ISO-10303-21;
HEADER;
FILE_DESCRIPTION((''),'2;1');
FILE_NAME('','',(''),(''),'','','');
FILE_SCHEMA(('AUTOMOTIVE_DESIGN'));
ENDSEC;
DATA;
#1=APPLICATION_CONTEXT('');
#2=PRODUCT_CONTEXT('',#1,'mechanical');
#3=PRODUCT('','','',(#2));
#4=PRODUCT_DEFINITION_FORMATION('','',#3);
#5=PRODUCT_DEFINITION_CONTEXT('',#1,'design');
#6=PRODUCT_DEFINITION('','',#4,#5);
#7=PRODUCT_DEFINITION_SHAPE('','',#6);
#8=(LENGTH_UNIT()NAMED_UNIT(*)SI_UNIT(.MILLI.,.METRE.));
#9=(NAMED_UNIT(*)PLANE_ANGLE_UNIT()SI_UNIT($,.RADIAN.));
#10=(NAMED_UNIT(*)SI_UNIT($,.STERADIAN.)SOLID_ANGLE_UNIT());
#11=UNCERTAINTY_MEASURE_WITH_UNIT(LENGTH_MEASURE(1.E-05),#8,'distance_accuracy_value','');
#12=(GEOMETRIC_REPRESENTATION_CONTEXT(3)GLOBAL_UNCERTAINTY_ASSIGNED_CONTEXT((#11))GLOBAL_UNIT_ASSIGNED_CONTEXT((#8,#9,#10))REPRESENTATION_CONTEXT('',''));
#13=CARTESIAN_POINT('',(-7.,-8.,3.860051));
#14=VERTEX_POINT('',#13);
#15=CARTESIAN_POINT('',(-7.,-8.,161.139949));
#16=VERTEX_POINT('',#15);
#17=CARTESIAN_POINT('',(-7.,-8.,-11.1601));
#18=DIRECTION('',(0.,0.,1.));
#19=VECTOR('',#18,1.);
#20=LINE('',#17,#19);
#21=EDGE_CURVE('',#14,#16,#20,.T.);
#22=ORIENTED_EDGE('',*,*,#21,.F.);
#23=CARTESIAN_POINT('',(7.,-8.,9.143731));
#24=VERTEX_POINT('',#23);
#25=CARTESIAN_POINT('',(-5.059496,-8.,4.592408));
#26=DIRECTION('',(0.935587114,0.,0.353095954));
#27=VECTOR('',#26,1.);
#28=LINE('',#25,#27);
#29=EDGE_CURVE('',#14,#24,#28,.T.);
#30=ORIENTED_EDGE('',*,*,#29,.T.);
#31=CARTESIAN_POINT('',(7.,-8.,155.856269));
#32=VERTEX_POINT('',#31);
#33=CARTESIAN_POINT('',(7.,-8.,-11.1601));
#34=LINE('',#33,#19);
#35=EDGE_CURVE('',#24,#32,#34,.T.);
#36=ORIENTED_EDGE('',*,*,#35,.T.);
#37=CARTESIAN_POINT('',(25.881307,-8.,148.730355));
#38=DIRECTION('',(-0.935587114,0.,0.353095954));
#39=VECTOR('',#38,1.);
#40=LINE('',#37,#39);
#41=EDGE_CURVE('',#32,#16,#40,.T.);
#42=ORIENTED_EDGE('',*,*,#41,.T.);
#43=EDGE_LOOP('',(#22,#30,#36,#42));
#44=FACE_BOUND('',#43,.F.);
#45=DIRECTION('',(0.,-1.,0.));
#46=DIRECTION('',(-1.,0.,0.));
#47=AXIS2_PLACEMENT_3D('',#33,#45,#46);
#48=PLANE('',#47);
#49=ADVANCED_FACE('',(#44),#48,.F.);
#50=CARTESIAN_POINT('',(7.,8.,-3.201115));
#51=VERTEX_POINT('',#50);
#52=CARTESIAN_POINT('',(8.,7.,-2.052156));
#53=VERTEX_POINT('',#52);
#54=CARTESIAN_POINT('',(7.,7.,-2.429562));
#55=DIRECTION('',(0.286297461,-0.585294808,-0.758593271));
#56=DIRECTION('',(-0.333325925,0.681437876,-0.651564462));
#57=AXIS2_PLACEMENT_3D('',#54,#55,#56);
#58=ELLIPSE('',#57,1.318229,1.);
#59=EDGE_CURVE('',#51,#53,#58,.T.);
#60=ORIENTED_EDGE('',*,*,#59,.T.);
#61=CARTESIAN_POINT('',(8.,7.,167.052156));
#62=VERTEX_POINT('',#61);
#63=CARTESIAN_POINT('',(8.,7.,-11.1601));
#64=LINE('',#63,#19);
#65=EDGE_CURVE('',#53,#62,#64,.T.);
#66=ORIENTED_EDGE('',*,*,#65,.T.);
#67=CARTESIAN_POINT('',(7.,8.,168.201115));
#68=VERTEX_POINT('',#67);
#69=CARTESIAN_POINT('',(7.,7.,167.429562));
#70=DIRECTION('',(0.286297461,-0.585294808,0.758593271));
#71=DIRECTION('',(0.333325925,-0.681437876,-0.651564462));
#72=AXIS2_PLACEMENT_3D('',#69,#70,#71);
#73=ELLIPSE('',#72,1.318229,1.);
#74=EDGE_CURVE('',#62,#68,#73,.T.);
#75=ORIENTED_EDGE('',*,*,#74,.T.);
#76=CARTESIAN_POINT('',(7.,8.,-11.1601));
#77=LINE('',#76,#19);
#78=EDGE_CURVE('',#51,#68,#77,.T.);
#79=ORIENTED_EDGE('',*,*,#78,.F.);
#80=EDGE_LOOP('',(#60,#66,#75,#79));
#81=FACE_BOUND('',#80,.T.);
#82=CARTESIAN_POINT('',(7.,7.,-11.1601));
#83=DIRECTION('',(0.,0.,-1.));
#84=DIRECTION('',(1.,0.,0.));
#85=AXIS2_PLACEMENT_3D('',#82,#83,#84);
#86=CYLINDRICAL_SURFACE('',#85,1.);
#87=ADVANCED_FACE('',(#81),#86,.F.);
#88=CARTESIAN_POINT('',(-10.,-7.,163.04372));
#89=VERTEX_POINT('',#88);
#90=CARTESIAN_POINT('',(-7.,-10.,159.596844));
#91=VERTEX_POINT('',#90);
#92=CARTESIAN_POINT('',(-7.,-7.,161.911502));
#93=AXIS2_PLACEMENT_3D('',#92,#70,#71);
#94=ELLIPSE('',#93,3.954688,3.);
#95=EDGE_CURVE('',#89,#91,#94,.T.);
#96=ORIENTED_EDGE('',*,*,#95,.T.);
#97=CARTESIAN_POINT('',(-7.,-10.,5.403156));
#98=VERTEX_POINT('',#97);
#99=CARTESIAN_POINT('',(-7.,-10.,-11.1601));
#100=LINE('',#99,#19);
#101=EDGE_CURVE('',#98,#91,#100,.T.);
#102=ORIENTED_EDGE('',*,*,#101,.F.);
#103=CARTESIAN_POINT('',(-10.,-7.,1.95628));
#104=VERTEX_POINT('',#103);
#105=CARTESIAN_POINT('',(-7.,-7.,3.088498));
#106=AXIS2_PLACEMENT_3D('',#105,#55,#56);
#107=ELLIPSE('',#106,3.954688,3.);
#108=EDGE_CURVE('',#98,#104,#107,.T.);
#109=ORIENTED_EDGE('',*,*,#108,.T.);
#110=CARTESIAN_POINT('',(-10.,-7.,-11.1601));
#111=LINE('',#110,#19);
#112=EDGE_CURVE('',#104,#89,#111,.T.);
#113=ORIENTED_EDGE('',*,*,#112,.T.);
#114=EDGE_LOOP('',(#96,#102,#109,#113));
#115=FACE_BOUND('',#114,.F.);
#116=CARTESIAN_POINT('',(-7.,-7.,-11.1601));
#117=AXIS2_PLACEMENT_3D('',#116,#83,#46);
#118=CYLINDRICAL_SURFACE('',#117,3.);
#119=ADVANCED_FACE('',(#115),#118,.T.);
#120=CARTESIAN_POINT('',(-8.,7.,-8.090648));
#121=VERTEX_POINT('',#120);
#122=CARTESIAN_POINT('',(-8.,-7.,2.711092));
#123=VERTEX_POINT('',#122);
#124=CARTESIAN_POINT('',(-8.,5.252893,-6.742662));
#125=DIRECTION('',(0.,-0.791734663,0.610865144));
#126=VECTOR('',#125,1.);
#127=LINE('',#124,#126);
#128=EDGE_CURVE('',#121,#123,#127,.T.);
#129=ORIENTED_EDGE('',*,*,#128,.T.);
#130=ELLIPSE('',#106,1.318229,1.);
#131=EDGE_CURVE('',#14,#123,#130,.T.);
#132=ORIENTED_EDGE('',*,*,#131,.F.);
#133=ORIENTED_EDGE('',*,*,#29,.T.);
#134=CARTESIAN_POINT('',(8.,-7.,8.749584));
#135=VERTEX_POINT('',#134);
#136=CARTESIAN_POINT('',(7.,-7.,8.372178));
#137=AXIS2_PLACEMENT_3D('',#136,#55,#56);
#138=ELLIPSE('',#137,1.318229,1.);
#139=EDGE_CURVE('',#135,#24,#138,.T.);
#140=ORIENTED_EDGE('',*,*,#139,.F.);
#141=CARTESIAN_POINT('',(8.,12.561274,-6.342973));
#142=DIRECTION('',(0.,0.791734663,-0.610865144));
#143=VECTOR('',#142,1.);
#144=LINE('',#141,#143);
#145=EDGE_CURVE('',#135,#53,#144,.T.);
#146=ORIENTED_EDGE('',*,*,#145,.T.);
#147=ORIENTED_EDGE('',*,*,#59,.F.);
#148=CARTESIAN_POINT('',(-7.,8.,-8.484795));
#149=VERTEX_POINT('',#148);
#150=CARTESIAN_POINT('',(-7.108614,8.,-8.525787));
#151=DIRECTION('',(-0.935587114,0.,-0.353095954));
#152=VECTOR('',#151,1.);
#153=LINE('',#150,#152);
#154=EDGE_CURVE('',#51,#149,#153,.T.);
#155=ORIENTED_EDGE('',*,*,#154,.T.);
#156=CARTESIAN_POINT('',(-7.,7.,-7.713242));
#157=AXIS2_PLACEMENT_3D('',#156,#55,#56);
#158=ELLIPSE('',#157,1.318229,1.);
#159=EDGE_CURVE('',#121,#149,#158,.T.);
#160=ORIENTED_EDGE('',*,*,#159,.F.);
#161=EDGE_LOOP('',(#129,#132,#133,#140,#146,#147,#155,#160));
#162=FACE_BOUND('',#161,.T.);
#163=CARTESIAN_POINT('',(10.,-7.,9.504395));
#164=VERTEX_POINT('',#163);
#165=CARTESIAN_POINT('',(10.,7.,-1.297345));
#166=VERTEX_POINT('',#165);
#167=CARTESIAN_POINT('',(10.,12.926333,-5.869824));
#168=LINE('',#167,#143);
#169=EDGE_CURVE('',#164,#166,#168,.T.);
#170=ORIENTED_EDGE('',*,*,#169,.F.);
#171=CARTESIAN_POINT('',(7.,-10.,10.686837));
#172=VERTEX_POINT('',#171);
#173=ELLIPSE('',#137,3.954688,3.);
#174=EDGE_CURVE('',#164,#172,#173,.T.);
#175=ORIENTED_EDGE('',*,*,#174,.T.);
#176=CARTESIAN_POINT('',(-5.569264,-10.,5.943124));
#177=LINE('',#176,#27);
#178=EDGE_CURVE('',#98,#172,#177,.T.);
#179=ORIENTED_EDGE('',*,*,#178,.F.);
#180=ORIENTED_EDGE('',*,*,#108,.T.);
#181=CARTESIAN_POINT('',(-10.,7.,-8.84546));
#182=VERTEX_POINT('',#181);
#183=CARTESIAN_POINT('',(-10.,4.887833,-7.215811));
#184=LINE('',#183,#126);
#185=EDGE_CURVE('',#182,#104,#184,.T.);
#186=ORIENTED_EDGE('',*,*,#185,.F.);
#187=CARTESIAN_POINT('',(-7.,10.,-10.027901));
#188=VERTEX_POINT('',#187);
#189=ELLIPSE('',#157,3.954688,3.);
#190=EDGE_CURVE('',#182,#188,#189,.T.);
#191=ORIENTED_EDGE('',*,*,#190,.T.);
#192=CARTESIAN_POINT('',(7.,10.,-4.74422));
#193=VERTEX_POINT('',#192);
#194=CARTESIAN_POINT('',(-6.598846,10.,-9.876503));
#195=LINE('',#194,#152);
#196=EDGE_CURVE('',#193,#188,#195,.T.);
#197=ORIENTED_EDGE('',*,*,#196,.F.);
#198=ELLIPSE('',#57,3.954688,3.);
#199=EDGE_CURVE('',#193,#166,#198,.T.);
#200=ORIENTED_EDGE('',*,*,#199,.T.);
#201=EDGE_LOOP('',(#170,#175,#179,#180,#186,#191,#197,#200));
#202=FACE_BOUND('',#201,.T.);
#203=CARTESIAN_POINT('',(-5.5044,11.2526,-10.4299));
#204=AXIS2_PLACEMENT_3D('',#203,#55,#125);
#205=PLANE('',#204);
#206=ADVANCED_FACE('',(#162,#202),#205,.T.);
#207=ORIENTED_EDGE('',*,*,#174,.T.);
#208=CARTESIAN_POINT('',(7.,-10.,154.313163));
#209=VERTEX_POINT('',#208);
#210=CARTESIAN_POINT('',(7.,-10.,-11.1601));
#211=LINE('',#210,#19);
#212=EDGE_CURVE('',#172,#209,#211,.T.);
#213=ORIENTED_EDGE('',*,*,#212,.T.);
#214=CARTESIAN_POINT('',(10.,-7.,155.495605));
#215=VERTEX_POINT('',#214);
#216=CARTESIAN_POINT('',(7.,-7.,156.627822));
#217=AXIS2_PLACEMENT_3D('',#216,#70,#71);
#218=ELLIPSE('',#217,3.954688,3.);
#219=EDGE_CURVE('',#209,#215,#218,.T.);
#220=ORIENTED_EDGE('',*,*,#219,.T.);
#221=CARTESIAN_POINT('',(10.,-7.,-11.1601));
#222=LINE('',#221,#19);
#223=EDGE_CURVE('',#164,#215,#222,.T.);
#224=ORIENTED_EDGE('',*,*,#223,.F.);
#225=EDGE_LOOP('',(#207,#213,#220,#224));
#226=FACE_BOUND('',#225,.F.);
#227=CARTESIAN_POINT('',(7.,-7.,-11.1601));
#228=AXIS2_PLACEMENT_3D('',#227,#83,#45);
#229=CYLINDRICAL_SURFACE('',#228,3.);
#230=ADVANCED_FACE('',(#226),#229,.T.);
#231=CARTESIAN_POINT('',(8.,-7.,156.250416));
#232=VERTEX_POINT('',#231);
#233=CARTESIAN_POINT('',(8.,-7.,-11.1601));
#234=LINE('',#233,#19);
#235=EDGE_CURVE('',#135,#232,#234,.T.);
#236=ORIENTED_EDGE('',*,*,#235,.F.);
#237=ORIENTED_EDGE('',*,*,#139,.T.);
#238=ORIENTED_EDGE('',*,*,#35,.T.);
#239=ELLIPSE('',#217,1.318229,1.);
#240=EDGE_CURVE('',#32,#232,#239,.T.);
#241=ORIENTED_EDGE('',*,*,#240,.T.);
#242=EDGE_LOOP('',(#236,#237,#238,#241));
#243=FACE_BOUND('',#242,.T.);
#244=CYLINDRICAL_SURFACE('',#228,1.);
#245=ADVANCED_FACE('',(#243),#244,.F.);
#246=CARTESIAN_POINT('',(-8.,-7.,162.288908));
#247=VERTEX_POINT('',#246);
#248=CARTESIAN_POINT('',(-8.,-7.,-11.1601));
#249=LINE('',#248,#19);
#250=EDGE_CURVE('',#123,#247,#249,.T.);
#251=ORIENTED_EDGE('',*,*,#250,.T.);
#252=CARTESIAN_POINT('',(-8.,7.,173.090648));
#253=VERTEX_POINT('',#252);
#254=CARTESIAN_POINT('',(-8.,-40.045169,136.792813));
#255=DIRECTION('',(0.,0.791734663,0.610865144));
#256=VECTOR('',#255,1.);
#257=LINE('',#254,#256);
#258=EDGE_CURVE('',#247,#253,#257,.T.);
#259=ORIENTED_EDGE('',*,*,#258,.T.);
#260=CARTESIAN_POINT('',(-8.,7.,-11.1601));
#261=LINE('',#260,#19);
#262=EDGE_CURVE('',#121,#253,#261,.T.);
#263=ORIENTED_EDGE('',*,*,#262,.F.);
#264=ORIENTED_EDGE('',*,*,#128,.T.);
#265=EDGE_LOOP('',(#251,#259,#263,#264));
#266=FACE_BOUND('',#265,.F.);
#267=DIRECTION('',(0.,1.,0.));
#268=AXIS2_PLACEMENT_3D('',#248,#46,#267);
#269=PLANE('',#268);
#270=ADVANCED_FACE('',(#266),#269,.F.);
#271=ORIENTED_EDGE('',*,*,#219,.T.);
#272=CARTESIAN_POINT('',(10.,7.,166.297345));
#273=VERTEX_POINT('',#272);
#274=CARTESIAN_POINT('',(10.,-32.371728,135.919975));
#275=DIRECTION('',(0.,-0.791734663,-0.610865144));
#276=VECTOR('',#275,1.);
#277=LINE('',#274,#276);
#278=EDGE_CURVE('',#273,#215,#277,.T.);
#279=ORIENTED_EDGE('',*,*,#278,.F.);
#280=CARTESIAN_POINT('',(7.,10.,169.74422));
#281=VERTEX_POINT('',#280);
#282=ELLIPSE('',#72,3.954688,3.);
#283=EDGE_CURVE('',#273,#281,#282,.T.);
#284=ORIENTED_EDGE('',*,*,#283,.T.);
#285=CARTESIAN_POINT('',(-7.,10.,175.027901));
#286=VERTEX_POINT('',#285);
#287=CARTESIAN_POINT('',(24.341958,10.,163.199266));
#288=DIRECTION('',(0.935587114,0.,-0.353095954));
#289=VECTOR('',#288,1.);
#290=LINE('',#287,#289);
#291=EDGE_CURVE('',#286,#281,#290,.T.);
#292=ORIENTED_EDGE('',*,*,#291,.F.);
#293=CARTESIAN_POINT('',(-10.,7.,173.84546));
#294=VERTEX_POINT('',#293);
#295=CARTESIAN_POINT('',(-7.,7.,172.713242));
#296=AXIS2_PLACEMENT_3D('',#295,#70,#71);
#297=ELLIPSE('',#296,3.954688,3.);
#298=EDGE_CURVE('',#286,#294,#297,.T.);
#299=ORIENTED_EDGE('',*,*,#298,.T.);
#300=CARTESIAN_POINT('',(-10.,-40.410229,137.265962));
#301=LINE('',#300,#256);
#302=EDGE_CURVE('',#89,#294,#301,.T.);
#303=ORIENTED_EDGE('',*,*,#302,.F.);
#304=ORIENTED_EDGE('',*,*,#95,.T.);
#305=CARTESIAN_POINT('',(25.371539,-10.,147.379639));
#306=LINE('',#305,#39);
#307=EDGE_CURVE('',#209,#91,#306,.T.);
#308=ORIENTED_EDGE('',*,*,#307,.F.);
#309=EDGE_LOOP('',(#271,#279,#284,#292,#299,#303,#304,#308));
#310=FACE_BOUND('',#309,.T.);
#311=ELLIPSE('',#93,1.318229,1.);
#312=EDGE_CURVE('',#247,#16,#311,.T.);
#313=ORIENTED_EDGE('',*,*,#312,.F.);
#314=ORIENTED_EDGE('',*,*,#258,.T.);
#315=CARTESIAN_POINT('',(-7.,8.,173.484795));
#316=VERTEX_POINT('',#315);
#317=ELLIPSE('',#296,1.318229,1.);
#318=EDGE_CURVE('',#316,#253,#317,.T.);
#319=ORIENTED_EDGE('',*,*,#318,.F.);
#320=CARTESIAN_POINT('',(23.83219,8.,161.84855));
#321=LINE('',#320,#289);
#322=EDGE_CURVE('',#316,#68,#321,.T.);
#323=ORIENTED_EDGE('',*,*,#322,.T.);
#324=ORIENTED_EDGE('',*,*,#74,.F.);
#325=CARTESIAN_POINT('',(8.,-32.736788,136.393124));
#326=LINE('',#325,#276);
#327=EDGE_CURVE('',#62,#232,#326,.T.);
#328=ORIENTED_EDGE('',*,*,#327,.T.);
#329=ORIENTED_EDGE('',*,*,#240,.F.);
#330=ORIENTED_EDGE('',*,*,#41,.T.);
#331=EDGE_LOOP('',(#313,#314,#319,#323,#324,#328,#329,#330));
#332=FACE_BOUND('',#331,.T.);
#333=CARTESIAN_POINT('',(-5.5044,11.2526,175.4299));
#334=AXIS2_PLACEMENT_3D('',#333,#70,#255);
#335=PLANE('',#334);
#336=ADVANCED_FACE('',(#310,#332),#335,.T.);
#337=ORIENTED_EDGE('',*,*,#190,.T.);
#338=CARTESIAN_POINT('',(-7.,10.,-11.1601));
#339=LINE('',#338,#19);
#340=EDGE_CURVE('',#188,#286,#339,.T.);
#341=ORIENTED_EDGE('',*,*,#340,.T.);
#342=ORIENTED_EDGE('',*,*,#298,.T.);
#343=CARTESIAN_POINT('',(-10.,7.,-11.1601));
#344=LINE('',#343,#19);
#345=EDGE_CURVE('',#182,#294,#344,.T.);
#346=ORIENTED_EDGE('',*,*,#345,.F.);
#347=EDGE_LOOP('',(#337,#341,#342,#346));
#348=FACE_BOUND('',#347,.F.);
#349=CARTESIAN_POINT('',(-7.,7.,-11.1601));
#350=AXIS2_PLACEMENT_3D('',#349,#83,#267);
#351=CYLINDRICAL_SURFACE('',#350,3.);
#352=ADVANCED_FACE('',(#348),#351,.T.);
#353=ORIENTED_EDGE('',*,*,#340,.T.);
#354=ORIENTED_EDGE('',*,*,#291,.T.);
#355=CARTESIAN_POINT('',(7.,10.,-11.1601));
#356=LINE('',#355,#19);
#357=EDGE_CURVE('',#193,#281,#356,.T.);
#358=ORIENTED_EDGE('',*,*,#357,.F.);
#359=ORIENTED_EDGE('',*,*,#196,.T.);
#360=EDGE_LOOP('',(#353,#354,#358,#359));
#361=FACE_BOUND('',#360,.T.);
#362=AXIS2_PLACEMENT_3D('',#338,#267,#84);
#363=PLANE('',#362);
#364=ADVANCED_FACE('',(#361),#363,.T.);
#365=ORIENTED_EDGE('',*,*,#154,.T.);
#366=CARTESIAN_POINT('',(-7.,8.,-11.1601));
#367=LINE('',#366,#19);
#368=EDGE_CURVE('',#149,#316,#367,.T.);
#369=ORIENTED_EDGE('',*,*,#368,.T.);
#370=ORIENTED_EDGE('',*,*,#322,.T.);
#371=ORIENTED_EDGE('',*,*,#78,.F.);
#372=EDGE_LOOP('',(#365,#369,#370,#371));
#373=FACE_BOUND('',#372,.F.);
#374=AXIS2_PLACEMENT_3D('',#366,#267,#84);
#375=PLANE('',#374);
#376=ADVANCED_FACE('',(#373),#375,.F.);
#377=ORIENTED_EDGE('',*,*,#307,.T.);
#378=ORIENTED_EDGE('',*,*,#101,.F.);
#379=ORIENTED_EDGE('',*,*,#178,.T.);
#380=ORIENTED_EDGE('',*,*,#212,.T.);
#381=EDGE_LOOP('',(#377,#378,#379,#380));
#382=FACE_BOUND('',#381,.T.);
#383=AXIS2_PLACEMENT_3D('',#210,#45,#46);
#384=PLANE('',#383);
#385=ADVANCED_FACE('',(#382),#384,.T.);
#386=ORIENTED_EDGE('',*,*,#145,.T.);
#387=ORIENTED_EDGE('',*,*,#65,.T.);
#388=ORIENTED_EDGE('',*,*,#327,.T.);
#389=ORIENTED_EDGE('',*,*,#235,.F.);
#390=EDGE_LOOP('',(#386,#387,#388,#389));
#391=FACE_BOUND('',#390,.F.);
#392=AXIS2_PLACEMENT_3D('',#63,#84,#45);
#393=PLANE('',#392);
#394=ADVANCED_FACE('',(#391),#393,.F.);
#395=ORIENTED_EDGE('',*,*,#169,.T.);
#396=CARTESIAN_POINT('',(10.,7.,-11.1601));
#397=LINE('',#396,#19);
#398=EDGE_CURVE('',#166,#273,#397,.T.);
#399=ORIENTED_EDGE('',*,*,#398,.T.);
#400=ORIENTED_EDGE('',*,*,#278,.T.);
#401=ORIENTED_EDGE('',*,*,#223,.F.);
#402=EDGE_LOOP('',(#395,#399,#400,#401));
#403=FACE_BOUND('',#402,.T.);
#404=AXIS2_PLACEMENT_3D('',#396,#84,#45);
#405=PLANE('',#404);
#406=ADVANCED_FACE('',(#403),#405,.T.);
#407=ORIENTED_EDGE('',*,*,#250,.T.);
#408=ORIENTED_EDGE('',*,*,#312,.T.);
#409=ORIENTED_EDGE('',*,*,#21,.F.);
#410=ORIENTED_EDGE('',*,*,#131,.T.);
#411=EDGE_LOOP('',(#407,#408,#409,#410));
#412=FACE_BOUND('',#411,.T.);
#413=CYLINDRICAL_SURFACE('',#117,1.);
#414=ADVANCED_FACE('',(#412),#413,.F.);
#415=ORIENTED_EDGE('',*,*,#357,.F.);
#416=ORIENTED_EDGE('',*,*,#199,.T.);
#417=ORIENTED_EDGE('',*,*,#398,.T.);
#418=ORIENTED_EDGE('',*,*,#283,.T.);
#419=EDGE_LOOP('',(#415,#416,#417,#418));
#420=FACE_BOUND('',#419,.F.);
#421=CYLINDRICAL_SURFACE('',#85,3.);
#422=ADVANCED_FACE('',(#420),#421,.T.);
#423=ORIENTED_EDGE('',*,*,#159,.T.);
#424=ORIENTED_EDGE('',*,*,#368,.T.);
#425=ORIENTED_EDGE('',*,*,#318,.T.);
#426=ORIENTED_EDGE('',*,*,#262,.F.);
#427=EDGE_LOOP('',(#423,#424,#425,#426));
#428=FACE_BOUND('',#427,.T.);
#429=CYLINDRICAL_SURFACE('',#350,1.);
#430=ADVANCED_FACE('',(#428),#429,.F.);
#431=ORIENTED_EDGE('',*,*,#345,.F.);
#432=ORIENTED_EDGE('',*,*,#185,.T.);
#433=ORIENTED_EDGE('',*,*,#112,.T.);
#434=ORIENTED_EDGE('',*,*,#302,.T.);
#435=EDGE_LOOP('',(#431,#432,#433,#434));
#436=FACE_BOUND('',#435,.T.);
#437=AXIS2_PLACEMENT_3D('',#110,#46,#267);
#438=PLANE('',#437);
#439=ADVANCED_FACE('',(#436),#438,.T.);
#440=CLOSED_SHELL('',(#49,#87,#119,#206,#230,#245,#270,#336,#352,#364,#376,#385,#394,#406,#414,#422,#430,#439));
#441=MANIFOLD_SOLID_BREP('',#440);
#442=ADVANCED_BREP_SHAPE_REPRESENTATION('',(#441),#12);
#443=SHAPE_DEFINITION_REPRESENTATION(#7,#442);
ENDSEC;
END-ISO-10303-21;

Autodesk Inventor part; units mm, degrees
ref_plane "Start Plane" through (0, 0, -11.1601) normal (0, 0, 1) x (1, 0, 0)
ref_plane "End Plane" through (0, 0, 176.1601) normal (0, 0, 1) x (1, 0, 0)
sketch "Sketch" plane through (0, 0, 0) normal (0, 0, 1) x (1, 0, 0)
  line L0 (-10, -7) -> (-10, 7)
  line L1 (-7, 10) -> (7, 10)
  line L2 (10, 7) -> (10, -7)
  line L3 (7, -10) -> (-7, -10)
  arc A0 (-10, -7) -> (-7, -10) centre (-7, -7) ccw
  arc A1 (-7, 10) -> (-10, 7) centre (-7, 7) ccw
  arc A2 (10, 7) -> (7, 10) centre (7, 7) ccw
  arc A3 (7, -10) -> (10, -7) centre (7, -7) ccw
  arc A4 (-7, 8) -> (-8, 7) centre (-7, 7) ccw
  line L4 (-7, 8) -> (7, 8)
  arc A5 (8, 7) -> (7, 8) centre (7, 7) ccw
  line L5 (8, 7) -> (8, -7)
  arc A6 (7, -8) -> (8, -7) centre (7, -7) ccw
  line L6 (7, -8) -> (-7, -8)
  arc A7 (-8, -7) -> (-7, -8) centre (-7, -7) ccw
  line L7 (-8, -7) -> (-8, 7)
  line L8 (0, 14.8698) -> (0, -14.8698) construction
  line L9 (-14.8698, 0) -> (14.8698, 0) construction
  dimension "d7" = 3
  dimension "d10" = 20
  dimension "d11" = 20
  dimension "d12" = 2
  dimension "d15" = 10
  dimension "d16" = 10
extrude "Body" add sketch "Sketch" along normal up to surface (187.3203 mm away) from surface at -11.1601
sketch "Sketch3" plane through (0, 0, 0) normal (0, 0, 1) x (1, 0, 0)
  line L0 (0, 0) -> (10, 0)
ref_plane "Work Plane3" through (0, 0, 0) normal (0, -1, 0) x (1, 0, 0)
sketch "Sketch4" plane through (0, 0, 0) normal (0, -1, 0) x (1, 0, 0)
  line L0 (-2, -11.1601) -> (12, -11.1601)
  line L1 (-2, 176.1601) -> (12, 176.1601)
  dimension "d18" = 187.3203
ref_plane "Work Plane4" through (-5.5044, 11.2526, -10.4299) normal (0.2863, -0.5853, -0.7586) x (0.6604, 0.6941, -0.2863)
split "Split1" plane through (-5.5044, 11.2526, -10.4299) removes the side toward (0.2863, -0.5853, -0.7586)
ref_plane "Work Plane5" through (-5.5044, 11.2526, 175.4299) normal (0.2863, -0.5853, 0.7586) x (0.9534, 0.0953, -0.2863)
split "Split2" plane through (-5.5044, 11.2526, 175.4299) removes the side toward (0.2863, -0.5853, 0.7586)
equation "\"d7\" = G_IR"
equation "\"d10\" = G_H"
equation "\"d11\" = G_W"
equation "\"d12\" = G_T"
equation "\"d15\" = 0.5 * d10"
equation "\"d16\" = 0.5 * d11"
equation "\"d3\" = G_L"
equation "\"G_W\" = 20"
equation "\"G_H\" = 20"
equation "\"G_T\" = 2"
equation "\"G_IR\" = 3"
equation "\"G_L\" = 185.30113"
equation "\"G_OFFSET_START\" = 11.16014"
equation "\"G_OFFSET_END\" = 11.16014"
equation "\"d13\" = -G_OFFSET_START"
equation "\"d14\" = G_OFFSET_END + B_L"
equation "\"B_L\" = 165"
properties part number "ISO 12633-2 - 20x20x2 - 185.3" material "Steel, Mild"
